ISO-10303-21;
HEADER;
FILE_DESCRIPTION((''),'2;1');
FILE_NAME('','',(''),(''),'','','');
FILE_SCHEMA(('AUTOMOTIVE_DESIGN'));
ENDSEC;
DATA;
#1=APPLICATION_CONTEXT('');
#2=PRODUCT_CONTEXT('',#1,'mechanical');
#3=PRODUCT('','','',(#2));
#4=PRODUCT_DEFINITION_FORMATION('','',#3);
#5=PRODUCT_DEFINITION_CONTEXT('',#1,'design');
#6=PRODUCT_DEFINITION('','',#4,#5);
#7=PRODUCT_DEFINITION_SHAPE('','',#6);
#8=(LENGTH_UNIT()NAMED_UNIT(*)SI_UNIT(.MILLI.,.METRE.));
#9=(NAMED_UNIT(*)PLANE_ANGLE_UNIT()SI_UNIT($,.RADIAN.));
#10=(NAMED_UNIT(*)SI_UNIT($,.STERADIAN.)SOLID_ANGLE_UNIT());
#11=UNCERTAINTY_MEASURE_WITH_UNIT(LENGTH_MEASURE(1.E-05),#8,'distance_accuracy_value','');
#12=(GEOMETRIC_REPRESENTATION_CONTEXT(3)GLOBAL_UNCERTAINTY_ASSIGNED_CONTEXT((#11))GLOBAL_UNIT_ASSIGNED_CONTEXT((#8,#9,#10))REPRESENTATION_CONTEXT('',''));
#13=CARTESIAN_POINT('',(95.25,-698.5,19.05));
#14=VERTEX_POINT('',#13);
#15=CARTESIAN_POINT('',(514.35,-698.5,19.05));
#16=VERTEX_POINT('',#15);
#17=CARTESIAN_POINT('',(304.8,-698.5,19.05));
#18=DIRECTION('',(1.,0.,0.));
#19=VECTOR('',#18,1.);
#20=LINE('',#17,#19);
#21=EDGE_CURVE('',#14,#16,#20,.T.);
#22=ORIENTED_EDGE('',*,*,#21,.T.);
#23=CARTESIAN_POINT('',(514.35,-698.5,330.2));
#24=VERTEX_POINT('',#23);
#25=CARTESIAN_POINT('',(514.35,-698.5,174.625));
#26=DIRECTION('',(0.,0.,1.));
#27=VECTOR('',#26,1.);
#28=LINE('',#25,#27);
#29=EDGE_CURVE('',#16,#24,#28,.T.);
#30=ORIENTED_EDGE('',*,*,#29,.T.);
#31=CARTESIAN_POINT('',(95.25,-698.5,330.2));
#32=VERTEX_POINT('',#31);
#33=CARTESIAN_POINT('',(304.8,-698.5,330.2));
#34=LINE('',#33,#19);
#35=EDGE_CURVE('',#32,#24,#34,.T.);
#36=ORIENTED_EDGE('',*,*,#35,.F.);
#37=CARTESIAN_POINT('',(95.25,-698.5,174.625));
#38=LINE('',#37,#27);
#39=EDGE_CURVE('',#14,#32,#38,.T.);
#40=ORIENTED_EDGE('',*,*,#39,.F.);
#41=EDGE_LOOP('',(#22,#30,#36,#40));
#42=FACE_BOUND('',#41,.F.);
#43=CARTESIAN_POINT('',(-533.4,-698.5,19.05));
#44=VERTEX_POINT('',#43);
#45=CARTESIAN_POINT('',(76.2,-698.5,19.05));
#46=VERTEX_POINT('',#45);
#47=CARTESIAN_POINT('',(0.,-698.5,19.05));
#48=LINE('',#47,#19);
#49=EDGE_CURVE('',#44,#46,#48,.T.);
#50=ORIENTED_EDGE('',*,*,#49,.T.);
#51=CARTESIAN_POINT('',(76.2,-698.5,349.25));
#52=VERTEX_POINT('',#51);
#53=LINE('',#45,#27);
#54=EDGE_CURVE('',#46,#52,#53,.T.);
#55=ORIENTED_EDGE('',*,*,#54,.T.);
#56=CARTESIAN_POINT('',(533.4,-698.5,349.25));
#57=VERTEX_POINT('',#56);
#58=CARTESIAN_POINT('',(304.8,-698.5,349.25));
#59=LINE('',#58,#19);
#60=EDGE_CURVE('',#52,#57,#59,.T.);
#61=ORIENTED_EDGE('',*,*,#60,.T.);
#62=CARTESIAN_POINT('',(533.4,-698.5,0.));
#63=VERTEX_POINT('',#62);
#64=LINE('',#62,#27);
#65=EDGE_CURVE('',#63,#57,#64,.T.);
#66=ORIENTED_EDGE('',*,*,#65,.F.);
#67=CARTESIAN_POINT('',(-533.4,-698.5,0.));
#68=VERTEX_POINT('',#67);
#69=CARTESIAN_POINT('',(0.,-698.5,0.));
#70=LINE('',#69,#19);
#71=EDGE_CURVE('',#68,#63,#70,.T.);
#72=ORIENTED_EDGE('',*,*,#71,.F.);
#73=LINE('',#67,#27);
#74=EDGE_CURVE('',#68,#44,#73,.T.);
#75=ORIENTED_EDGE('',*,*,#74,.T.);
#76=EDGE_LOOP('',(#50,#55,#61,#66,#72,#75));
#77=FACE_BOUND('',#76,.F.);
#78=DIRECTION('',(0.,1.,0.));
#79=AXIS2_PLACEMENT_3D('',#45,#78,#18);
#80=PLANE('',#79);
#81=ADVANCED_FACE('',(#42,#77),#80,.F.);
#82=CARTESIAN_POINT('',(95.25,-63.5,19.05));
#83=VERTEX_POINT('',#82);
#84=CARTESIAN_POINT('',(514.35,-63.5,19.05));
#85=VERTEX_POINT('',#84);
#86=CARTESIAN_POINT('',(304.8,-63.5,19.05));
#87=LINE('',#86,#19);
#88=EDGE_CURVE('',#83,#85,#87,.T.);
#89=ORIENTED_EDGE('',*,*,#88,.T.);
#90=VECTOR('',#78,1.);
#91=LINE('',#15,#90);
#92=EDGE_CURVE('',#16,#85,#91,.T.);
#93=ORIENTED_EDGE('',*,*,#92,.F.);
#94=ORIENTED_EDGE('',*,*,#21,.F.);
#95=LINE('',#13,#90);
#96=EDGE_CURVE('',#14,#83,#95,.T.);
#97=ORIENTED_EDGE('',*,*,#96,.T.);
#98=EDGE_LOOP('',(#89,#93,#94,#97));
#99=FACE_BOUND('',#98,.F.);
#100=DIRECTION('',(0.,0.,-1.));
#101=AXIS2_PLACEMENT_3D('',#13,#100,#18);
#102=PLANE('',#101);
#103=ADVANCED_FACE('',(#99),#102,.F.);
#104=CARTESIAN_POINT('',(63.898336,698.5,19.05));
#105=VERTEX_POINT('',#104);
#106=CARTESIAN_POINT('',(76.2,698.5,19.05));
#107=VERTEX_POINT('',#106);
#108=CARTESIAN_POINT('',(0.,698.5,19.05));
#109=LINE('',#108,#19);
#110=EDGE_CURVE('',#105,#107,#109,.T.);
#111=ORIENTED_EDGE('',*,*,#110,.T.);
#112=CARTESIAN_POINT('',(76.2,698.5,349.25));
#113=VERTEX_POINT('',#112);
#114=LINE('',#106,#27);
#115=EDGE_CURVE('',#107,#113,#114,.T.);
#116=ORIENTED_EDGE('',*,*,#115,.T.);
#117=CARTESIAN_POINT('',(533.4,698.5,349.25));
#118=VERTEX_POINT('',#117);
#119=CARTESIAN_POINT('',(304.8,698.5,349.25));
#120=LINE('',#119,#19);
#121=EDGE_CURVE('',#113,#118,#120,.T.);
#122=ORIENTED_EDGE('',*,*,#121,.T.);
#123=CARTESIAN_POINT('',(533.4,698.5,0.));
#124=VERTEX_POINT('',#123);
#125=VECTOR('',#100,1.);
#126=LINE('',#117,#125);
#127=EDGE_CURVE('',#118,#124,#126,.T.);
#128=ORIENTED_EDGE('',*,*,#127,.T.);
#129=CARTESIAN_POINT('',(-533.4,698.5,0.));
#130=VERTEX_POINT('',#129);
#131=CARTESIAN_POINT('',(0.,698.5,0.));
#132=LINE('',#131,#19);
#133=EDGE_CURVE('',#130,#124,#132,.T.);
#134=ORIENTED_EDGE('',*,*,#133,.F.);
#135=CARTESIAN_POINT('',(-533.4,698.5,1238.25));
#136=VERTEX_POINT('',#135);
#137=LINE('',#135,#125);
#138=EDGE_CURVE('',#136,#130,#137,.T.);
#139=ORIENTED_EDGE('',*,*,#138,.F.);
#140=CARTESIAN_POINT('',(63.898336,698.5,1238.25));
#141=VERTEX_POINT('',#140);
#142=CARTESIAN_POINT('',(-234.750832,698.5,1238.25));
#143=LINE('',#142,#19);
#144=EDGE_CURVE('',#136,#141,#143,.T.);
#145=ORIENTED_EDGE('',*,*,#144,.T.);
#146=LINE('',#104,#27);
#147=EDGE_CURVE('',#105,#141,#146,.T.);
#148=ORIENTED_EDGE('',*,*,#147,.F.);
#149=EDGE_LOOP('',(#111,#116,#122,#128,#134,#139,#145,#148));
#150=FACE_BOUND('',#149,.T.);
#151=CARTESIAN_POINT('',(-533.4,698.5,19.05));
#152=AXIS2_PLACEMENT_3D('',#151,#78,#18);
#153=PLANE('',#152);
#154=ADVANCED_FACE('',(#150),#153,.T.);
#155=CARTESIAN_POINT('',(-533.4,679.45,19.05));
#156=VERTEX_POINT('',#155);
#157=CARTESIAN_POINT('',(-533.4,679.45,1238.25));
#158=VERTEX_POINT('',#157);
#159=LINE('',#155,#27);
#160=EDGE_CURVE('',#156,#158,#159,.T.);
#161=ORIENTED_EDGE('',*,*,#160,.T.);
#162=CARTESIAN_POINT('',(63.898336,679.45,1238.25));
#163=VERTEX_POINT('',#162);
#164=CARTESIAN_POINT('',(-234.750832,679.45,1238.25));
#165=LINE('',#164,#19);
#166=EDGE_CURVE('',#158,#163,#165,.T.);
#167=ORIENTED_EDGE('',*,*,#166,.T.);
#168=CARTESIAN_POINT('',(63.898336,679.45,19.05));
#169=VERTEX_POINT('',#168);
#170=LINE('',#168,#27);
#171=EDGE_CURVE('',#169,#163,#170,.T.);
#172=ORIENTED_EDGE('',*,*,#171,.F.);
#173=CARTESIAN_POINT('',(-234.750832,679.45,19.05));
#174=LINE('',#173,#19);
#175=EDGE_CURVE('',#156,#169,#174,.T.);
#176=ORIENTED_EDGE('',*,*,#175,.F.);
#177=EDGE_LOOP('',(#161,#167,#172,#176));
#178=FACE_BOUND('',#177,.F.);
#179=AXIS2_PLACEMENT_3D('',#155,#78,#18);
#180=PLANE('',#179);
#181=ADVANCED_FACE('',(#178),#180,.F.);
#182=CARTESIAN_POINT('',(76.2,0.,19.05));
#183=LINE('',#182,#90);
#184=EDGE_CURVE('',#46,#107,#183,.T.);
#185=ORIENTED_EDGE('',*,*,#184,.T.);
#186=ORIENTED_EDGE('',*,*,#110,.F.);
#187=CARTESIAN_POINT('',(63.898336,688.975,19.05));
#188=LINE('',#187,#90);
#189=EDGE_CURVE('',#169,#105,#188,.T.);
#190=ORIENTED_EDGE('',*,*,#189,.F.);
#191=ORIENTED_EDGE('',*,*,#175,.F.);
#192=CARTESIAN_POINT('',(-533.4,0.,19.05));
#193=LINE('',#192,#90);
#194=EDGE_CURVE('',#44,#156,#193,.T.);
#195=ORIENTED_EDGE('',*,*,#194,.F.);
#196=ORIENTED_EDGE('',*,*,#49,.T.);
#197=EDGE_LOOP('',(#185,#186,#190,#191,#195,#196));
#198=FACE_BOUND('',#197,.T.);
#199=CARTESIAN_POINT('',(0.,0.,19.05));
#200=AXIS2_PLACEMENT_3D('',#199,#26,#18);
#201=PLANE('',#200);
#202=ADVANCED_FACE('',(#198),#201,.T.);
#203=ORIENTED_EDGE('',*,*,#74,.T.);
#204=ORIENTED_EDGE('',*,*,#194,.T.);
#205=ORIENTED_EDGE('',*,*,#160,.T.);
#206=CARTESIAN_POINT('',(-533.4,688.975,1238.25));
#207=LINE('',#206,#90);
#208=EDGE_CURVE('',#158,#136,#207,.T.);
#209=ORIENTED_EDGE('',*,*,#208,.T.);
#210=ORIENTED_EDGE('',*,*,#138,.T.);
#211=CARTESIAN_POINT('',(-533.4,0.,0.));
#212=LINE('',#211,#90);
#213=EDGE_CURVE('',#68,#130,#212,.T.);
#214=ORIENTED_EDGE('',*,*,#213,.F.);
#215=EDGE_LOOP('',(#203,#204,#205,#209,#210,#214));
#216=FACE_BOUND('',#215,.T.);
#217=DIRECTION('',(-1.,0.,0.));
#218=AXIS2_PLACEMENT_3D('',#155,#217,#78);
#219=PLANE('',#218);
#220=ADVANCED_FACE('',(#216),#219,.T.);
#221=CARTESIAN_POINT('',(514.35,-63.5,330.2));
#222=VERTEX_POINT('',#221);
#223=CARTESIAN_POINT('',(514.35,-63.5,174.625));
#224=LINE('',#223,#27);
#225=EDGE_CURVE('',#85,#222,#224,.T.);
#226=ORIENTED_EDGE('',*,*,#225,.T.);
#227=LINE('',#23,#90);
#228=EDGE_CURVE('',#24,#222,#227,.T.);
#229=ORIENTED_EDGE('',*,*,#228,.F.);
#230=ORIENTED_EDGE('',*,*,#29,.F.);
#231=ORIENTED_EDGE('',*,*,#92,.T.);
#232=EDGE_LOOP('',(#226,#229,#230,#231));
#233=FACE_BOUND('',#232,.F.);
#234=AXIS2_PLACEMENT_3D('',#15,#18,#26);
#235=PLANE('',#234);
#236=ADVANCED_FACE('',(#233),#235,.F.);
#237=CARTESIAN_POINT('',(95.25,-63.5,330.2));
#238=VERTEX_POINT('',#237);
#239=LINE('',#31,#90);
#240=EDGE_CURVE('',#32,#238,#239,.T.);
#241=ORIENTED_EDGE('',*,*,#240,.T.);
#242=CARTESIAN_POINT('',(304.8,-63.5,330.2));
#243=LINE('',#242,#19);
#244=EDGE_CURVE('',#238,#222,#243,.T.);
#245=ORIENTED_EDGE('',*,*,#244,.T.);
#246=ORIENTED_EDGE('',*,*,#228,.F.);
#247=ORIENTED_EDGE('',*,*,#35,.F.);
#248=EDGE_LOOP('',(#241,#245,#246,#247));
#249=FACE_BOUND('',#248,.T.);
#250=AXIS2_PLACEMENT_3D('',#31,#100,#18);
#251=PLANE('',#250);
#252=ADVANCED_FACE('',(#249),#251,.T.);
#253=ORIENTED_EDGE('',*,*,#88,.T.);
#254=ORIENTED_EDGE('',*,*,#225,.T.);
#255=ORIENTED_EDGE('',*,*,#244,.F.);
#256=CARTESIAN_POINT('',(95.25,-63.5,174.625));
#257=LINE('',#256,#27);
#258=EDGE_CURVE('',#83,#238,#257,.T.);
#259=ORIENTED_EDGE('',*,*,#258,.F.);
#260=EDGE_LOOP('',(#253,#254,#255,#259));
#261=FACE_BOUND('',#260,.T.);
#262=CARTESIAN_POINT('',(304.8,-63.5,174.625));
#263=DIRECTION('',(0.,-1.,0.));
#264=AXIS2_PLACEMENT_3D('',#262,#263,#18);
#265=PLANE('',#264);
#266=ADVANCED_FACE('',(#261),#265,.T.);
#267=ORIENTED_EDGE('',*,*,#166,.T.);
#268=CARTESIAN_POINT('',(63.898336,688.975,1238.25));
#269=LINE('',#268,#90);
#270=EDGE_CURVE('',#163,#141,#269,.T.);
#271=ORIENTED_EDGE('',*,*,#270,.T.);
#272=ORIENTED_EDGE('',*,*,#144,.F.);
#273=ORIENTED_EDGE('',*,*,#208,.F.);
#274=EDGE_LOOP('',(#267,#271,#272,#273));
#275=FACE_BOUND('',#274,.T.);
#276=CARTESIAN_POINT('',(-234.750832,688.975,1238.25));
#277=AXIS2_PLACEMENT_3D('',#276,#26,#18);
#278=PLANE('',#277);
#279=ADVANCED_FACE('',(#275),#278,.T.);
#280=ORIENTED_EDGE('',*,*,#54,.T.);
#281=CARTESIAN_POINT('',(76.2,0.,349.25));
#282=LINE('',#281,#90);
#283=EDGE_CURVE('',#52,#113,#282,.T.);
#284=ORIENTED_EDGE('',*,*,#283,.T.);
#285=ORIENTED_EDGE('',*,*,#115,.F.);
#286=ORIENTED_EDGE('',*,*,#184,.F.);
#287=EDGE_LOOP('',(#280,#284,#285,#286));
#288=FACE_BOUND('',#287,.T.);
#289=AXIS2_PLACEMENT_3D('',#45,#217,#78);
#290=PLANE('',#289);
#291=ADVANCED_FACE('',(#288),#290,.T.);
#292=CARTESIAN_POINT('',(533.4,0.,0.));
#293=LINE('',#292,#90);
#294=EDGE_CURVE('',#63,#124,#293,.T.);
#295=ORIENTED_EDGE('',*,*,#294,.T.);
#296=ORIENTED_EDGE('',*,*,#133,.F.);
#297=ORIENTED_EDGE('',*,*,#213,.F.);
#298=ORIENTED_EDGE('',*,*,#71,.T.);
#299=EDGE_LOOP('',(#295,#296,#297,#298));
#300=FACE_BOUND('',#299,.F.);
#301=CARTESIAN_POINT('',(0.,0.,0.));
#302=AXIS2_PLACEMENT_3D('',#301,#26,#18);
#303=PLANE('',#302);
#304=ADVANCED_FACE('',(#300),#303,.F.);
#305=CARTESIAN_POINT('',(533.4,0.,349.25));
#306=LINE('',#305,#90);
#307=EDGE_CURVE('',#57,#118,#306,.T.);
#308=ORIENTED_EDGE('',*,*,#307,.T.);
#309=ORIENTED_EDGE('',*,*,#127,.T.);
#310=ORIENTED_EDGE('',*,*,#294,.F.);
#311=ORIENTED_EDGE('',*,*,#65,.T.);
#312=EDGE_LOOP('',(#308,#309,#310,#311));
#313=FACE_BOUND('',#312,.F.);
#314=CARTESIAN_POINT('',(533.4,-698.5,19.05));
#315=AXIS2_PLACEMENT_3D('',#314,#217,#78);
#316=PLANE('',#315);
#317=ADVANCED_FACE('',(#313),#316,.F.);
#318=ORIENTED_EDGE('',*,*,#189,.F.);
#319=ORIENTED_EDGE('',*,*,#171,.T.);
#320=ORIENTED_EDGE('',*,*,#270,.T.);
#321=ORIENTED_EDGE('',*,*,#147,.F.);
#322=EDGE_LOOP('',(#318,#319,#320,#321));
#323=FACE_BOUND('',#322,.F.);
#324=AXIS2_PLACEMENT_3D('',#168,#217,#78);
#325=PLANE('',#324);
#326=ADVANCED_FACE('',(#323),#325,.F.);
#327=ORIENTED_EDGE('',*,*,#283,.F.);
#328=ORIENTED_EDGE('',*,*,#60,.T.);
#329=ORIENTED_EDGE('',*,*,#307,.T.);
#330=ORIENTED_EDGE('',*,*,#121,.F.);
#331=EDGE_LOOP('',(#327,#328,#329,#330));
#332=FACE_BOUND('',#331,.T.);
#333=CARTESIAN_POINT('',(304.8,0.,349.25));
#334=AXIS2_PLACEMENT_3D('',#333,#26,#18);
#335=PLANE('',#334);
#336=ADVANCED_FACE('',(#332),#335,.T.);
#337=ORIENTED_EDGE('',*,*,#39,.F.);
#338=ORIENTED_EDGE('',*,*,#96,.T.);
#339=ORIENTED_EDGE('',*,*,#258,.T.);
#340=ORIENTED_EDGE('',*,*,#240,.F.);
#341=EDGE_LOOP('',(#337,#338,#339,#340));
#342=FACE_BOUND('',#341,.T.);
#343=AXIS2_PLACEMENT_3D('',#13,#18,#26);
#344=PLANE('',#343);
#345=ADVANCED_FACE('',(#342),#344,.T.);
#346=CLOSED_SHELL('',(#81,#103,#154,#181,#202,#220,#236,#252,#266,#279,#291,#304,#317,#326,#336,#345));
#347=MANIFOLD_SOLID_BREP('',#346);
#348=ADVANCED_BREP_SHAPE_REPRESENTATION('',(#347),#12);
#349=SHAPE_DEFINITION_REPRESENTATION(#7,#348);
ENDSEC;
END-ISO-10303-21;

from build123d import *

# Parameters (mm, degrees)
F0_W     = 1066.8
F0_H     = 1397
F1_DEPTH = 19.05
F2_W     = 457.2
F2_H     = 1397
F3_DEPTH = 330.2
F4_W     = 597.298336
F4_H     = 19.05
F5_DEPTH = 1219.2
F6_W     = 419.1
F6_H     = 311.15
F7_DEPTH = 635


with BuildPart() as f1:
    # F0 (on Top) → F1 (new body)
    with BuildSketch(Plane.XY):
        Rectangle(F0_W, F0_H)
    extrude(amount=F1_DEPTH)

    # F2 (on face) → F3 (join)
    with BuildSketch(Plane.XY.offset(19.05)):
        with Locations((304.8, 0)):
            Rectangle(F2_W, F2_H)
    extrude(amount=F3_DEPTH)

    # F4 (on face) → F5 (join)
    with BuildSketch(Plane.XY.offset(19.05)):
        with Locations((-234.750832, 688.975)):
            Rectangle(F4_W, F4_H)
    extrude(amount=F5_DEPTH)

    # F6 (on face) → F7 (cut)
    with BuildSketch(Plane.XZ.offset(698.5)):
        with Locations((304.8, 174.625)):
            Rectangle(F6_W, F6_H)
    extrude(amount=-F7_DEPTH, mode=Mode.SUBTRACT)


solid = f1.part
